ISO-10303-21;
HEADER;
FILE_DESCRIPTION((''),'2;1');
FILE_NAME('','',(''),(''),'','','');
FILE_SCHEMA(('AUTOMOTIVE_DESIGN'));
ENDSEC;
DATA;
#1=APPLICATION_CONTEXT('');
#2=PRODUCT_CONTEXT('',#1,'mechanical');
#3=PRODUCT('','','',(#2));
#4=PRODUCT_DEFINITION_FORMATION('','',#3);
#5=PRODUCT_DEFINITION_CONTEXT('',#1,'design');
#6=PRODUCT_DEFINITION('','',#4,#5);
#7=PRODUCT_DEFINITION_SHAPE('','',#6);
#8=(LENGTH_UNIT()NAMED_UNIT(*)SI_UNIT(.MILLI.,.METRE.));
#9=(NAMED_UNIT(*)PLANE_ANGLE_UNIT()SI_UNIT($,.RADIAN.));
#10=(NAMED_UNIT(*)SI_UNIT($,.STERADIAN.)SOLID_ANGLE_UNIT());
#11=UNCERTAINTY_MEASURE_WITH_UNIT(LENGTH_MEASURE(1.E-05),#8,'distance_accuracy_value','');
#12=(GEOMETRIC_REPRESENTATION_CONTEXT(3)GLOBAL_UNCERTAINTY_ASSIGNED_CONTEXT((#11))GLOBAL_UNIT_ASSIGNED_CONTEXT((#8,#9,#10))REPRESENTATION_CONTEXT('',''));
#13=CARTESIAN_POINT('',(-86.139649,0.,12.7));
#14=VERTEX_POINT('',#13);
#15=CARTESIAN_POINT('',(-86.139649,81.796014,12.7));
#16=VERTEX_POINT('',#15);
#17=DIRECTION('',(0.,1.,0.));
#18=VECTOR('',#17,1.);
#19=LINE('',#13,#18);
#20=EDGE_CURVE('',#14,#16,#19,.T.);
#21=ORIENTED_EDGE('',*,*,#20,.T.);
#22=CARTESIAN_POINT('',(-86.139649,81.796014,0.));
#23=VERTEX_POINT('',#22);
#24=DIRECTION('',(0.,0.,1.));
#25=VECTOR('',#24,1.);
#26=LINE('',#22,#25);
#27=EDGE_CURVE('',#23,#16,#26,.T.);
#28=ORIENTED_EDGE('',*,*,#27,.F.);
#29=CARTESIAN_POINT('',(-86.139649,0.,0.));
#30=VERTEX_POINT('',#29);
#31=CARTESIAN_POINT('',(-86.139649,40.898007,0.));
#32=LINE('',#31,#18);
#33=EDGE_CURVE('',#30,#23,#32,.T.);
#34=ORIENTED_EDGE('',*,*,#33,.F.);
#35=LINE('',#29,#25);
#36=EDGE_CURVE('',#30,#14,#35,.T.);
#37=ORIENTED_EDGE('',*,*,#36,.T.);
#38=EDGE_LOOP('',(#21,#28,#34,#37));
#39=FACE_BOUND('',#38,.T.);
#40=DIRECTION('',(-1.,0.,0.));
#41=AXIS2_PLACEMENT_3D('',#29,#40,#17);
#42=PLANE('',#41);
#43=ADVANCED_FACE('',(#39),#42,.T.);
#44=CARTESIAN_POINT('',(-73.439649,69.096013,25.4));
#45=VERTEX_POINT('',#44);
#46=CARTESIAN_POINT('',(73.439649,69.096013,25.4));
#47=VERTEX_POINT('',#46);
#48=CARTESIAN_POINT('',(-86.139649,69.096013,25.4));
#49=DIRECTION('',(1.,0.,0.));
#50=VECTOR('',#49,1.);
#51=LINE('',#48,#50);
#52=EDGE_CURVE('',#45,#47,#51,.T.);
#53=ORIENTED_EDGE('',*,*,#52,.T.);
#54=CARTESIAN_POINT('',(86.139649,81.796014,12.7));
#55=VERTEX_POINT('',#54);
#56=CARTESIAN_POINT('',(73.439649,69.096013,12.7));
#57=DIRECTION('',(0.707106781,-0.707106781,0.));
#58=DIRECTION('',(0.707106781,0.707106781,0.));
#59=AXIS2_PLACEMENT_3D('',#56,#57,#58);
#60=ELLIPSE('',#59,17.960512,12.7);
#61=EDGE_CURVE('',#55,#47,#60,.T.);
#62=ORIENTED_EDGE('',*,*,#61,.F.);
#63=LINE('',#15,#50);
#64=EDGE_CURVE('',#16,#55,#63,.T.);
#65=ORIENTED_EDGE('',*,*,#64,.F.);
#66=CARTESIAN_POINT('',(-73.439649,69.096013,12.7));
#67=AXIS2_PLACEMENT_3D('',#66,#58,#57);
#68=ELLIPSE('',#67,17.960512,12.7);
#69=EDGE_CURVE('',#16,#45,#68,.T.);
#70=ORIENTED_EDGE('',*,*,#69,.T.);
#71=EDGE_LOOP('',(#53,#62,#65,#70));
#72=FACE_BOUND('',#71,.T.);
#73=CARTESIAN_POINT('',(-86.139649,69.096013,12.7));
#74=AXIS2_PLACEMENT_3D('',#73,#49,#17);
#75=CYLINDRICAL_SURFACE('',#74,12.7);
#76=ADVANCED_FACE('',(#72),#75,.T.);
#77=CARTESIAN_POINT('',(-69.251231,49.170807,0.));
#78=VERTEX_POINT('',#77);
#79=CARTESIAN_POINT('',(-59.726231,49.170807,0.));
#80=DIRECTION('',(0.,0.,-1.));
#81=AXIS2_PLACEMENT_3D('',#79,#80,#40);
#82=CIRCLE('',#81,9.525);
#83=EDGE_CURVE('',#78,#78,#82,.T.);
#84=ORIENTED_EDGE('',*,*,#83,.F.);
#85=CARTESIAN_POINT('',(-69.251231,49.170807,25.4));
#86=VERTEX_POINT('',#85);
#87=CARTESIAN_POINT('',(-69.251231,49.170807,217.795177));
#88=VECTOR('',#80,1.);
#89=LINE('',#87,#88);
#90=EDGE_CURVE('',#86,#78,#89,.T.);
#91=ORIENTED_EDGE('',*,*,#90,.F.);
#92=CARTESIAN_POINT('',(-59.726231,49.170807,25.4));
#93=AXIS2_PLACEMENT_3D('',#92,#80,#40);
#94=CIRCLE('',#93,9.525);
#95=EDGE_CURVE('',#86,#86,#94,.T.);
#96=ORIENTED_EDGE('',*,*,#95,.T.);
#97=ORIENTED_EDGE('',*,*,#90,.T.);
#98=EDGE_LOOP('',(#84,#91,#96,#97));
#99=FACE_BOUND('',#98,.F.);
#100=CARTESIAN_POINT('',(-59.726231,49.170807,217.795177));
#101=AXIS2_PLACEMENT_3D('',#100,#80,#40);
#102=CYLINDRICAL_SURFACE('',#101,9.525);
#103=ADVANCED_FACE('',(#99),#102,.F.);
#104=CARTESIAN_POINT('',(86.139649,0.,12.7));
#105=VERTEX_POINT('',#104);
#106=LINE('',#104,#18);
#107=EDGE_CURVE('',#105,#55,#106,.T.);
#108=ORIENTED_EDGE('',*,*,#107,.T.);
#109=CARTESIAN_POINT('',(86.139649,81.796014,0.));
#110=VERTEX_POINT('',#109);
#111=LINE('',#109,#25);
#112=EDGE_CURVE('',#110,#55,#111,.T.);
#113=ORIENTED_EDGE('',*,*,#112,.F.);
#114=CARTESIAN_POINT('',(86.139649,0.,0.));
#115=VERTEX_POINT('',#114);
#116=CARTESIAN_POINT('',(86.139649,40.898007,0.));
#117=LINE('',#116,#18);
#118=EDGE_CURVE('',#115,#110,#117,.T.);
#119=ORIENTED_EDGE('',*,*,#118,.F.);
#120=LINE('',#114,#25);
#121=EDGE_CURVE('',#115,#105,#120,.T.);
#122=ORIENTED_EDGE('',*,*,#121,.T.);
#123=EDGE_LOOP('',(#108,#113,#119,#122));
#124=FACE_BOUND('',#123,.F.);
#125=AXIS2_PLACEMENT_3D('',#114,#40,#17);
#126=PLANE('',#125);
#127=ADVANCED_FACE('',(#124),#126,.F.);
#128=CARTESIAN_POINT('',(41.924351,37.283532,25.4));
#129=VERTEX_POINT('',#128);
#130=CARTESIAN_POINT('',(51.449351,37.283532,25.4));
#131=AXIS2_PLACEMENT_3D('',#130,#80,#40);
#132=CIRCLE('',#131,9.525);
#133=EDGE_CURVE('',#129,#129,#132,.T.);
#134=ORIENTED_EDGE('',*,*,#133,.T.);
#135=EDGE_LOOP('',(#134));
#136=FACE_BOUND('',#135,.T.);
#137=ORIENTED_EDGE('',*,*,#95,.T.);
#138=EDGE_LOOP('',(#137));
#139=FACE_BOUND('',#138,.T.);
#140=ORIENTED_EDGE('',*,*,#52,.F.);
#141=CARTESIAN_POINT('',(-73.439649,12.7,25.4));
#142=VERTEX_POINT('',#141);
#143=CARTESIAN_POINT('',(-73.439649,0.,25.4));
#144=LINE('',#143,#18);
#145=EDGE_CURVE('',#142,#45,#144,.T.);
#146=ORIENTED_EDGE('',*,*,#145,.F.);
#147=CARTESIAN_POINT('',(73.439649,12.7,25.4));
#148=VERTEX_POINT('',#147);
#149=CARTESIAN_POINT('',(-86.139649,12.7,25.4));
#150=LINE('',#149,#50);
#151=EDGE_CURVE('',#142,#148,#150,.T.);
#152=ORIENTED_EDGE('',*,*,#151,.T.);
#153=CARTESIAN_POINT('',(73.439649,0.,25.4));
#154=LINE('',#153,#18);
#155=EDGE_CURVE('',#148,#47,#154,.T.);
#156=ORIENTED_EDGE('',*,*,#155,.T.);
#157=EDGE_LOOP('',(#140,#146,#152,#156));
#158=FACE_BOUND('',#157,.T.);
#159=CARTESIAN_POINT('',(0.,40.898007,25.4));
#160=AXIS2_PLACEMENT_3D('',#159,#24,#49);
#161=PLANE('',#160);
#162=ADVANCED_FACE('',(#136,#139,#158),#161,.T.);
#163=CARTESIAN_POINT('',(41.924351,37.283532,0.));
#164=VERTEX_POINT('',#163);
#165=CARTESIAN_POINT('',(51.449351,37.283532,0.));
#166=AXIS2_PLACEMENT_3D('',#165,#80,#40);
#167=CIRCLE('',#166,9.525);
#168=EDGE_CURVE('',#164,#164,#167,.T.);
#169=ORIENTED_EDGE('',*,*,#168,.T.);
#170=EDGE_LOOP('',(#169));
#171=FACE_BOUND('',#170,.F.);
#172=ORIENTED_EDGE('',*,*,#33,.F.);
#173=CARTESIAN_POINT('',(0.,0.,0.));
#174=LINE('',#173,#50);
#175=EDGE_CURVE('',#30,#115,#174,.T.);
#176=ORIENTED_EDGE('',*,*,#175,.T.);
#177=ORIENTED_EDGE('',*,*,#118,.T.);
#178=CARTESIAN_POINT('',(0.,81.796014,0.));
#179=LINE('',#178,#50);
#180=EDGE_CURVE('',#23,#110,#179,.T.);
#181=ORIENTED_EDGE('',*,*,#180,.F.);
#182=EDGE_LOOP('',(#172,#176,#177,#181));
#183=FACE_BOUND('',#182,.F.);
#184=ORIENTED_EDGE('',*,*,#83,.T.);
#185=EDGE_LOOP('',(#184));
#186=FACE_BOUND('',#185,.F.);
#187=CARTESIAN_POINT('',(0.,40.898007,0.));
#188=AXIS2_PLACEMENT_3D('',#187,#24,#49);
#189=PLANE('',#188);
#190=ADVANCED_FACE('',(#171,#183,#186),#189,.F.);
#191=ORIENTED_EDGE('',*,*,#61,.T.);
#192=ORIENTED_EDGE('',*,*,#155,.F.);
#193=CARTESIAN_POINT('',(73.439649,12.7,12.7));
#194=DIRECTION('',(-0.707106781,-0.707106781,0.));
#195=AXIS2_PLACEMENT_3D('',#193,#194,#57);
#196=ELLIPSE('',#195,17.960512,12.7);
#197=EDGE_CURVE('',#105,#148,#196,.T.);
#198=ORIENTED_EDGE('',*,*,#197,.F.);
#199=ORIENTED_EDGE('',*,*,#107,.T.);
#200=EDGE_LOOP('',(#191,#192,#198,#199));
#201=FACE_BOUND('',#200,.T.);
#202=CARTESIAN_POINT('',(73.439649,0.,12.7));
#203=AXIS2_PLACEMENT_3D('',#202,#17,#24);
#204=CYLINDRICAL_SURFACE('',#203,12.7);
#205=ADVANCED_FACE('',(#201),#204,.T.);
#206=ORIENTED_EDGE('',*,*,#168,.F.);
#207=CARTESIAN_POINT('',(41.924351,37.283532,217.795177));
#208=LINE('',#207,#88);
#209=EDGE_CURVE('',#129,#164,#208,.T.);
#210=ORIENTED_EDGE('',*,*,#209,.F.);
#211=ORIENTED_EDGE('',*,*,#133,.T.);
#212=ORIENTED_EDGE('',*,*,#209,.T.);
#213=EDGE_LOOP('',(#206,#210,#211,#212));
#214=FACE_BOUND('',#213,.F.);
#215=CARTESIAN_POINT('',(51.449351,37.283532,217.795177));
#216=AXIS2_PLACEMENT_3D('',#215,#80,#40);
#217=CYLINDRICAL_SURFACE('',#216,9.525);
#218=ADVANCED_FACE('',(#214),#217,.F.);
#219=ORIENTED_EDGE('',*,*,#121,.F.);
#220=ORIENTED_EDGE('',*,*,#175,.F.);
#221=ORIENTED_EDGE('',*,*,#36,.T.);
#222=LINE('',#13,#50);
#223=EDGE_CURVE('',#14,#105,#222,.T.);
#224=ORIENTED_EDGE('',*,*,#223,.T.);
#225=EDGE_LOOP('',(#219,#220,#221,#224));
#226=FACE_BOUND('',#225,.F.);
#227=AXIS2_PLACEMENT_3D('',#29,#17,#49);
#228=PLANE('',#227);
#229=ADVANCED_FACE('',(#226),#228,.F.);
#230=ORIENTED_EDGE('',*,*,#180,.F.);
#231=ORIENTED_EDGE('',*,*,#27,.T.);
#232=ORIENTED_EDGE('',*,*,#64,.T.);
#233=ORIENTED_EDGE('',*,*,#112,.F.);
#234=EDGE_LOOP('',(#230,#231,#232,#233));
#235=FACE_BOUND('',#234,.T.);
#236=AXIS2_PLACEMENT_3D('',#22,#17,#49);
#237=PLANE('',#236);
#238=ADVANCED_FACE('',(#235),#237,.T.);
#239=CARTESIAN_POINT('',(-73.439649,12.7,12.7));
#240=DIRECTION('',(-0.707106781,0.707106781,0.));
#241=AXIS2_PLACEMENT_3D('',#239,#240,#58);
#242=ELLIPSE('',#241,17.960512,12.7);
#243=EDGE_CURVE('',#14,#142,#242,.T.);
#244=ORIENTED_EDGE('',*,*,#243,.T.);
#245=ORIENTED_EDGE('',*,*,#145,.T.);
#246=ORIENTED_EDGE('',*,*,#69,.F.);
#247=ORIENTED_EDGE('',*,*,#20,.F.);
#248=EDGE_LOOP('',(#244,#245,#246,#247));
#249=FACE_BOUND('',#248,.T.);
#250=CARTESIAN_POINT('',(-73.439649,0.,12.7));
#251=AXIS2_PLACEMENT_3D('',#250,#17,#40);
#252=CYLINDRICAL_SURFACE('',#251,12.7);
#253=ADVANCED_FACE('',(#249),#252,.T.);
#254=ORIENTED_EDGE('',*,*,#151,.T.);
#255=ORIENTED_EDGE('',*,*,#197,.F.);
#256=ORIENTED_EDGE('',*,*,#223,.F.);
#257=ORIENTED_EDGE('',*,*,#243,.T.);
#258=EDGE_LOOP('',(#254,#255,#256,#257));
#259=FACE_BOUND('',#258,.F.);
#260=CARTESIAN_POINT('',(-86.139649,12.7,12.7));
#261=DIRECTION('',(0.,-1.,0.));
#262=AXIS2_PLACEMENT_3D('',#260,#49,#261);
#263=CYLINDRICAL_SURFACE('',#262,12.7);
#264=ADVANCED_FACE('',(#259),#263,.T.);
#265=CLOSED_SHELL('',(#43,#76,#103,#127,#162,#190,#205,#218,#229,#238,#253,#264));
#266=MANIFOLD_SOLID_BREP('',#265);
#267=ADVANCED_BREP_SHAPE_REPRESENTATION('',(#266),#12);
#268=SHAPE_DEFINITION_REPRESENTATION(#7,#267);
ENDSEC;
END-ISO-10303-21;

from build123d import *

# Parameters (mm, degrees)
F0_W     = 172.279298
F0_H     = 81.796013
F1_DEPTH = 25.4
F3_D     = 19.05
F4_R     = 12.7


with BuildPart() as f1:
    # F0 (on Top) → F1 (new body)
    with BuildSketch(Plane.XY):
        with Locations((0, 40.898007)):
            Rectangle(F0_W, F0_H)
    extrude(amount=F1_DEPTH)

    # F3 (through all)
    with Locations(Plane.XY.offset(25.4)):
        with Locations((51.449351, 37.283532), (-59.726231, 49.170807)):
            Hole(F3_D / 2)

    # F4
    f4_edges = [f1.edges().sort_by_distance(p)[0] for p in [
        (0, 81.796013, 25.4),
        (-86.139649, 40.898006, 25.4),
        (0, 0, 25.4),
        (86.139649, 40.898006, 25.4),
    ]]
    fillet(f4_edges, radius=F4_R)


solid = f1.part
